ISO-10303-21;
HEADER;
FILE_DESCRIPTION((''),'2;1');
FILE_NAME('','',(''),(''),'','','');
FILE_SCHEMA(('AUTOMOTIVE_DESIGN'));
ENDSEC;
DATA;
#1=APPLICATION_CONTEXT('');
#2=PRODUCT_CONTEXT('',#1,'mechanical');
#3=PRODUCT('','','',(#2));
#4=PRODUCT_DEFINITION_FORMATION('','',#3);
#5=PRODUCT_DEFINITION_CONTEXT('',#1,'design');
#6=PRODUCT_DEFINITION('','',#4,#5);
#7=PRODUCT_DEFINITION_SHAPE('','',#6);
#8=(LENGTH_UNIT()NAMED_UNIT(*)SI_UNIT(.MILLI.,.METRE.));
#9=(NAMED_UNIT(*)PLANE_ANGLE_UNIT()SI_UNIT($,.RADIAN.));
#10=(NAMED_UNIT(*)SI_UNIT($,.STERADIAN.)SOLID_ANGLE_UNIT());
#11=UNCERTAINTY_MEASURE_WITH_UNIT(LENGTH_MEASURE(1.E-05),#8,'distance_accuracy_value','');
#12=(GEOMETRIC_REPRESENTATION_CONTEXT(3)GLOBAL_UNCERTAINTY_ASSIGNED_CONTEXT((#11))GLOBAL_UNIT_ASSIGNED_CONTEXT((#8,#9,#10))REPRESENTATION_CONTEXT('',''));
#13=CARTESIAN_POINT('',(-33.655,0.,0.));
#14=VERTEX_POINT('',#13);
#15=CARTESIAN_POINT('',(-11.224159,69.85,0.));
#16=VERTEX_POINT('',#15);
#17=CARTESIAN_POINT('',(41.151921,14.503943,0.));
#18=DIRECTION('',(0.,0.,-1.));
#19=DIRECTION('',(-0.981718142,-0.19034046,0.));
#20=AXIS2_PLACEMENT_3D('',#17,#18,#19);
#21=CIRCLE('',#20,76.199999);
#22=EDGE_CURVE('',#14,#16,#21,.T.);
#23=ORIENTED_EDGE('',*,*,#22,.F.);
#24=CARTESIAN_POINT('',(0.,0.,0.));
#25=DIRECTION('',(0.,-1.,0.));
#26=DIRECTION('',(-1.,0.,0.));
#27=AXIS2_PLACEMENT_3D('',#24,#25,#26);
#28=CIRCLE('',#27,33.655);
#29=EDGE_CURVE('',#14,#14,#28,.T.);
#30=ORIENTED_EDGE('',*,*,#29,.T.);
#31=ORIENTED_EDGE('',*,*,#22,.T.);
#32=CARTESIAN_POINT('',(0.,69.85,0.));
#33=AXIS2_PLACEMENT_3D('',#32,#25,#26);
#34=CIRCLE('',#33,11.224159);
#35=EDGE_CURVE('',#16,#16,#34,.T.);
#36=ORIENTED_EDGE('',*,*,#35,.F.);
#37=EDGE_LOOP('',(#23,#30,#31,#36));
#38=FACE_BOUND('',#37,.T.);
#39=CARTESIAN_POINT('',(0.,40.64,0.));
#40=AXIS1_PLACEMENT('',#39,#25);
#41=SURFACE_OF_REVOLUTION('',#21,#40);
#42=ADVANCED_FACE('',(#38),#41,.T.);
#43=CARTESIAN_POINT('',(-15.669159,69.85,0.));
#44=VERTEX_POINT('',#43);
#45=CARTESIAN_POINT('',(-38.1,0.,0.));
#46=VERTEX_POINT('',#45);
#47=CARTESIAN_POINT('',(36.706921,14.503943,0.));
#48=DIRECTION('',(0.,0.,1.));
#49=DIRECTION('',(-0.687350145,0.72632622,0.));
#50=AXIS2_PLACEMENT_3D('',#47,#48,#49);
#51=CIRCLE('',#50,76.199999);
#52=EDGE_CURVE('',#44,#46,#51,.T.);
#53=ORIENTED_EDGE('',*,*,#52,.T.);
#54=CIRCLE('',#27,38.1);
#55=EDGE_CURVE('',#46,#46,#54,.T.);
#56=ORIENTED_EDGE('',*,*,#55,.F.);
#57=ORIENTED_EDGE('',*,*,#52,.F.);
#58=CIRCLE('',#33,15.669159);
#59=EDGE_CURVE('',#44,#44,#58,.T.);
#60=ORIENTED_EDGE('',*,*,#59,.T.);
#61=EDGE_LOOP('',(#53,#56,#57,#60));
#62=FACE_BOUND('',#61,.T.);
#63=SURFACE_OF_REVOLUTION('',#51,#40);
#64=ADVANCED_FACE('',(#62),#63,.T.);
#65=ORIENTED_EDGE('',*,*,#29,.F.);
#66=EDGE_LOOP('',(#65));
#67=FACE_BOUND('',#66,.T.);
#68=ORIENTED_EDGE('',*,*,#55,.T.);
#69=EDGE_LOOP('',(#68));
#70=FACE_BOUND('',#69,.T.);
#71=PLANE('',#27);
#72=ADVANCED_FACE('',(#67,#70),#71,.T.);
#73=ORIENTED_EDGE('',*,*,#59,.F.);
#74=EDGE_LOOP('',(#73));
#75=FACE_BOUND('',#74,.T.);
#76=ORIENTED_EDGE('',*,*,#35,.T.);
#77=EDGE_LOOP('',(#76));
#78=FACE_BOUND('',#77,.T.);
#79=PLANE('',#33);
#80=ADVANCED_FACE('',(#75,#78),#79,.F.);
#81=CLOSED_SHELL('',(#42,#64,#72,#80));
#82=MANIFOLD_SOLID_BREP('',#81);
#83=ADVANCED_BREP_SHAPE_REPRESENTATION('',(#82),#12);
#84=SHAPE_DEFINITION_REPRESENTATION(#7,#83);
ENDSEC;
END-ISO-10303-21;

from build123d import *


with BuildPart() as f1:
    # F0 (on Top) → F1 (revolve)
    with BuildSketch(Plane.XY):
        with BuildLine():
            Line((-38.1, 0), (-33.655, 0))
            ThreePointArc((-33.655, 0), (-31.398989, 37.802124), (-11.224159, 69.85))
            Line((-11.224159, 69.85), (-15.669159, 69.85))
            ThreePointArc((-15.669159, 69.85), (-35.843989, 37.802124), (-38.1, 0))
        make_face()
    revolve(axis=Axis((0, 40.64, 0), (0, -1, 0)))


solid = f1.part
